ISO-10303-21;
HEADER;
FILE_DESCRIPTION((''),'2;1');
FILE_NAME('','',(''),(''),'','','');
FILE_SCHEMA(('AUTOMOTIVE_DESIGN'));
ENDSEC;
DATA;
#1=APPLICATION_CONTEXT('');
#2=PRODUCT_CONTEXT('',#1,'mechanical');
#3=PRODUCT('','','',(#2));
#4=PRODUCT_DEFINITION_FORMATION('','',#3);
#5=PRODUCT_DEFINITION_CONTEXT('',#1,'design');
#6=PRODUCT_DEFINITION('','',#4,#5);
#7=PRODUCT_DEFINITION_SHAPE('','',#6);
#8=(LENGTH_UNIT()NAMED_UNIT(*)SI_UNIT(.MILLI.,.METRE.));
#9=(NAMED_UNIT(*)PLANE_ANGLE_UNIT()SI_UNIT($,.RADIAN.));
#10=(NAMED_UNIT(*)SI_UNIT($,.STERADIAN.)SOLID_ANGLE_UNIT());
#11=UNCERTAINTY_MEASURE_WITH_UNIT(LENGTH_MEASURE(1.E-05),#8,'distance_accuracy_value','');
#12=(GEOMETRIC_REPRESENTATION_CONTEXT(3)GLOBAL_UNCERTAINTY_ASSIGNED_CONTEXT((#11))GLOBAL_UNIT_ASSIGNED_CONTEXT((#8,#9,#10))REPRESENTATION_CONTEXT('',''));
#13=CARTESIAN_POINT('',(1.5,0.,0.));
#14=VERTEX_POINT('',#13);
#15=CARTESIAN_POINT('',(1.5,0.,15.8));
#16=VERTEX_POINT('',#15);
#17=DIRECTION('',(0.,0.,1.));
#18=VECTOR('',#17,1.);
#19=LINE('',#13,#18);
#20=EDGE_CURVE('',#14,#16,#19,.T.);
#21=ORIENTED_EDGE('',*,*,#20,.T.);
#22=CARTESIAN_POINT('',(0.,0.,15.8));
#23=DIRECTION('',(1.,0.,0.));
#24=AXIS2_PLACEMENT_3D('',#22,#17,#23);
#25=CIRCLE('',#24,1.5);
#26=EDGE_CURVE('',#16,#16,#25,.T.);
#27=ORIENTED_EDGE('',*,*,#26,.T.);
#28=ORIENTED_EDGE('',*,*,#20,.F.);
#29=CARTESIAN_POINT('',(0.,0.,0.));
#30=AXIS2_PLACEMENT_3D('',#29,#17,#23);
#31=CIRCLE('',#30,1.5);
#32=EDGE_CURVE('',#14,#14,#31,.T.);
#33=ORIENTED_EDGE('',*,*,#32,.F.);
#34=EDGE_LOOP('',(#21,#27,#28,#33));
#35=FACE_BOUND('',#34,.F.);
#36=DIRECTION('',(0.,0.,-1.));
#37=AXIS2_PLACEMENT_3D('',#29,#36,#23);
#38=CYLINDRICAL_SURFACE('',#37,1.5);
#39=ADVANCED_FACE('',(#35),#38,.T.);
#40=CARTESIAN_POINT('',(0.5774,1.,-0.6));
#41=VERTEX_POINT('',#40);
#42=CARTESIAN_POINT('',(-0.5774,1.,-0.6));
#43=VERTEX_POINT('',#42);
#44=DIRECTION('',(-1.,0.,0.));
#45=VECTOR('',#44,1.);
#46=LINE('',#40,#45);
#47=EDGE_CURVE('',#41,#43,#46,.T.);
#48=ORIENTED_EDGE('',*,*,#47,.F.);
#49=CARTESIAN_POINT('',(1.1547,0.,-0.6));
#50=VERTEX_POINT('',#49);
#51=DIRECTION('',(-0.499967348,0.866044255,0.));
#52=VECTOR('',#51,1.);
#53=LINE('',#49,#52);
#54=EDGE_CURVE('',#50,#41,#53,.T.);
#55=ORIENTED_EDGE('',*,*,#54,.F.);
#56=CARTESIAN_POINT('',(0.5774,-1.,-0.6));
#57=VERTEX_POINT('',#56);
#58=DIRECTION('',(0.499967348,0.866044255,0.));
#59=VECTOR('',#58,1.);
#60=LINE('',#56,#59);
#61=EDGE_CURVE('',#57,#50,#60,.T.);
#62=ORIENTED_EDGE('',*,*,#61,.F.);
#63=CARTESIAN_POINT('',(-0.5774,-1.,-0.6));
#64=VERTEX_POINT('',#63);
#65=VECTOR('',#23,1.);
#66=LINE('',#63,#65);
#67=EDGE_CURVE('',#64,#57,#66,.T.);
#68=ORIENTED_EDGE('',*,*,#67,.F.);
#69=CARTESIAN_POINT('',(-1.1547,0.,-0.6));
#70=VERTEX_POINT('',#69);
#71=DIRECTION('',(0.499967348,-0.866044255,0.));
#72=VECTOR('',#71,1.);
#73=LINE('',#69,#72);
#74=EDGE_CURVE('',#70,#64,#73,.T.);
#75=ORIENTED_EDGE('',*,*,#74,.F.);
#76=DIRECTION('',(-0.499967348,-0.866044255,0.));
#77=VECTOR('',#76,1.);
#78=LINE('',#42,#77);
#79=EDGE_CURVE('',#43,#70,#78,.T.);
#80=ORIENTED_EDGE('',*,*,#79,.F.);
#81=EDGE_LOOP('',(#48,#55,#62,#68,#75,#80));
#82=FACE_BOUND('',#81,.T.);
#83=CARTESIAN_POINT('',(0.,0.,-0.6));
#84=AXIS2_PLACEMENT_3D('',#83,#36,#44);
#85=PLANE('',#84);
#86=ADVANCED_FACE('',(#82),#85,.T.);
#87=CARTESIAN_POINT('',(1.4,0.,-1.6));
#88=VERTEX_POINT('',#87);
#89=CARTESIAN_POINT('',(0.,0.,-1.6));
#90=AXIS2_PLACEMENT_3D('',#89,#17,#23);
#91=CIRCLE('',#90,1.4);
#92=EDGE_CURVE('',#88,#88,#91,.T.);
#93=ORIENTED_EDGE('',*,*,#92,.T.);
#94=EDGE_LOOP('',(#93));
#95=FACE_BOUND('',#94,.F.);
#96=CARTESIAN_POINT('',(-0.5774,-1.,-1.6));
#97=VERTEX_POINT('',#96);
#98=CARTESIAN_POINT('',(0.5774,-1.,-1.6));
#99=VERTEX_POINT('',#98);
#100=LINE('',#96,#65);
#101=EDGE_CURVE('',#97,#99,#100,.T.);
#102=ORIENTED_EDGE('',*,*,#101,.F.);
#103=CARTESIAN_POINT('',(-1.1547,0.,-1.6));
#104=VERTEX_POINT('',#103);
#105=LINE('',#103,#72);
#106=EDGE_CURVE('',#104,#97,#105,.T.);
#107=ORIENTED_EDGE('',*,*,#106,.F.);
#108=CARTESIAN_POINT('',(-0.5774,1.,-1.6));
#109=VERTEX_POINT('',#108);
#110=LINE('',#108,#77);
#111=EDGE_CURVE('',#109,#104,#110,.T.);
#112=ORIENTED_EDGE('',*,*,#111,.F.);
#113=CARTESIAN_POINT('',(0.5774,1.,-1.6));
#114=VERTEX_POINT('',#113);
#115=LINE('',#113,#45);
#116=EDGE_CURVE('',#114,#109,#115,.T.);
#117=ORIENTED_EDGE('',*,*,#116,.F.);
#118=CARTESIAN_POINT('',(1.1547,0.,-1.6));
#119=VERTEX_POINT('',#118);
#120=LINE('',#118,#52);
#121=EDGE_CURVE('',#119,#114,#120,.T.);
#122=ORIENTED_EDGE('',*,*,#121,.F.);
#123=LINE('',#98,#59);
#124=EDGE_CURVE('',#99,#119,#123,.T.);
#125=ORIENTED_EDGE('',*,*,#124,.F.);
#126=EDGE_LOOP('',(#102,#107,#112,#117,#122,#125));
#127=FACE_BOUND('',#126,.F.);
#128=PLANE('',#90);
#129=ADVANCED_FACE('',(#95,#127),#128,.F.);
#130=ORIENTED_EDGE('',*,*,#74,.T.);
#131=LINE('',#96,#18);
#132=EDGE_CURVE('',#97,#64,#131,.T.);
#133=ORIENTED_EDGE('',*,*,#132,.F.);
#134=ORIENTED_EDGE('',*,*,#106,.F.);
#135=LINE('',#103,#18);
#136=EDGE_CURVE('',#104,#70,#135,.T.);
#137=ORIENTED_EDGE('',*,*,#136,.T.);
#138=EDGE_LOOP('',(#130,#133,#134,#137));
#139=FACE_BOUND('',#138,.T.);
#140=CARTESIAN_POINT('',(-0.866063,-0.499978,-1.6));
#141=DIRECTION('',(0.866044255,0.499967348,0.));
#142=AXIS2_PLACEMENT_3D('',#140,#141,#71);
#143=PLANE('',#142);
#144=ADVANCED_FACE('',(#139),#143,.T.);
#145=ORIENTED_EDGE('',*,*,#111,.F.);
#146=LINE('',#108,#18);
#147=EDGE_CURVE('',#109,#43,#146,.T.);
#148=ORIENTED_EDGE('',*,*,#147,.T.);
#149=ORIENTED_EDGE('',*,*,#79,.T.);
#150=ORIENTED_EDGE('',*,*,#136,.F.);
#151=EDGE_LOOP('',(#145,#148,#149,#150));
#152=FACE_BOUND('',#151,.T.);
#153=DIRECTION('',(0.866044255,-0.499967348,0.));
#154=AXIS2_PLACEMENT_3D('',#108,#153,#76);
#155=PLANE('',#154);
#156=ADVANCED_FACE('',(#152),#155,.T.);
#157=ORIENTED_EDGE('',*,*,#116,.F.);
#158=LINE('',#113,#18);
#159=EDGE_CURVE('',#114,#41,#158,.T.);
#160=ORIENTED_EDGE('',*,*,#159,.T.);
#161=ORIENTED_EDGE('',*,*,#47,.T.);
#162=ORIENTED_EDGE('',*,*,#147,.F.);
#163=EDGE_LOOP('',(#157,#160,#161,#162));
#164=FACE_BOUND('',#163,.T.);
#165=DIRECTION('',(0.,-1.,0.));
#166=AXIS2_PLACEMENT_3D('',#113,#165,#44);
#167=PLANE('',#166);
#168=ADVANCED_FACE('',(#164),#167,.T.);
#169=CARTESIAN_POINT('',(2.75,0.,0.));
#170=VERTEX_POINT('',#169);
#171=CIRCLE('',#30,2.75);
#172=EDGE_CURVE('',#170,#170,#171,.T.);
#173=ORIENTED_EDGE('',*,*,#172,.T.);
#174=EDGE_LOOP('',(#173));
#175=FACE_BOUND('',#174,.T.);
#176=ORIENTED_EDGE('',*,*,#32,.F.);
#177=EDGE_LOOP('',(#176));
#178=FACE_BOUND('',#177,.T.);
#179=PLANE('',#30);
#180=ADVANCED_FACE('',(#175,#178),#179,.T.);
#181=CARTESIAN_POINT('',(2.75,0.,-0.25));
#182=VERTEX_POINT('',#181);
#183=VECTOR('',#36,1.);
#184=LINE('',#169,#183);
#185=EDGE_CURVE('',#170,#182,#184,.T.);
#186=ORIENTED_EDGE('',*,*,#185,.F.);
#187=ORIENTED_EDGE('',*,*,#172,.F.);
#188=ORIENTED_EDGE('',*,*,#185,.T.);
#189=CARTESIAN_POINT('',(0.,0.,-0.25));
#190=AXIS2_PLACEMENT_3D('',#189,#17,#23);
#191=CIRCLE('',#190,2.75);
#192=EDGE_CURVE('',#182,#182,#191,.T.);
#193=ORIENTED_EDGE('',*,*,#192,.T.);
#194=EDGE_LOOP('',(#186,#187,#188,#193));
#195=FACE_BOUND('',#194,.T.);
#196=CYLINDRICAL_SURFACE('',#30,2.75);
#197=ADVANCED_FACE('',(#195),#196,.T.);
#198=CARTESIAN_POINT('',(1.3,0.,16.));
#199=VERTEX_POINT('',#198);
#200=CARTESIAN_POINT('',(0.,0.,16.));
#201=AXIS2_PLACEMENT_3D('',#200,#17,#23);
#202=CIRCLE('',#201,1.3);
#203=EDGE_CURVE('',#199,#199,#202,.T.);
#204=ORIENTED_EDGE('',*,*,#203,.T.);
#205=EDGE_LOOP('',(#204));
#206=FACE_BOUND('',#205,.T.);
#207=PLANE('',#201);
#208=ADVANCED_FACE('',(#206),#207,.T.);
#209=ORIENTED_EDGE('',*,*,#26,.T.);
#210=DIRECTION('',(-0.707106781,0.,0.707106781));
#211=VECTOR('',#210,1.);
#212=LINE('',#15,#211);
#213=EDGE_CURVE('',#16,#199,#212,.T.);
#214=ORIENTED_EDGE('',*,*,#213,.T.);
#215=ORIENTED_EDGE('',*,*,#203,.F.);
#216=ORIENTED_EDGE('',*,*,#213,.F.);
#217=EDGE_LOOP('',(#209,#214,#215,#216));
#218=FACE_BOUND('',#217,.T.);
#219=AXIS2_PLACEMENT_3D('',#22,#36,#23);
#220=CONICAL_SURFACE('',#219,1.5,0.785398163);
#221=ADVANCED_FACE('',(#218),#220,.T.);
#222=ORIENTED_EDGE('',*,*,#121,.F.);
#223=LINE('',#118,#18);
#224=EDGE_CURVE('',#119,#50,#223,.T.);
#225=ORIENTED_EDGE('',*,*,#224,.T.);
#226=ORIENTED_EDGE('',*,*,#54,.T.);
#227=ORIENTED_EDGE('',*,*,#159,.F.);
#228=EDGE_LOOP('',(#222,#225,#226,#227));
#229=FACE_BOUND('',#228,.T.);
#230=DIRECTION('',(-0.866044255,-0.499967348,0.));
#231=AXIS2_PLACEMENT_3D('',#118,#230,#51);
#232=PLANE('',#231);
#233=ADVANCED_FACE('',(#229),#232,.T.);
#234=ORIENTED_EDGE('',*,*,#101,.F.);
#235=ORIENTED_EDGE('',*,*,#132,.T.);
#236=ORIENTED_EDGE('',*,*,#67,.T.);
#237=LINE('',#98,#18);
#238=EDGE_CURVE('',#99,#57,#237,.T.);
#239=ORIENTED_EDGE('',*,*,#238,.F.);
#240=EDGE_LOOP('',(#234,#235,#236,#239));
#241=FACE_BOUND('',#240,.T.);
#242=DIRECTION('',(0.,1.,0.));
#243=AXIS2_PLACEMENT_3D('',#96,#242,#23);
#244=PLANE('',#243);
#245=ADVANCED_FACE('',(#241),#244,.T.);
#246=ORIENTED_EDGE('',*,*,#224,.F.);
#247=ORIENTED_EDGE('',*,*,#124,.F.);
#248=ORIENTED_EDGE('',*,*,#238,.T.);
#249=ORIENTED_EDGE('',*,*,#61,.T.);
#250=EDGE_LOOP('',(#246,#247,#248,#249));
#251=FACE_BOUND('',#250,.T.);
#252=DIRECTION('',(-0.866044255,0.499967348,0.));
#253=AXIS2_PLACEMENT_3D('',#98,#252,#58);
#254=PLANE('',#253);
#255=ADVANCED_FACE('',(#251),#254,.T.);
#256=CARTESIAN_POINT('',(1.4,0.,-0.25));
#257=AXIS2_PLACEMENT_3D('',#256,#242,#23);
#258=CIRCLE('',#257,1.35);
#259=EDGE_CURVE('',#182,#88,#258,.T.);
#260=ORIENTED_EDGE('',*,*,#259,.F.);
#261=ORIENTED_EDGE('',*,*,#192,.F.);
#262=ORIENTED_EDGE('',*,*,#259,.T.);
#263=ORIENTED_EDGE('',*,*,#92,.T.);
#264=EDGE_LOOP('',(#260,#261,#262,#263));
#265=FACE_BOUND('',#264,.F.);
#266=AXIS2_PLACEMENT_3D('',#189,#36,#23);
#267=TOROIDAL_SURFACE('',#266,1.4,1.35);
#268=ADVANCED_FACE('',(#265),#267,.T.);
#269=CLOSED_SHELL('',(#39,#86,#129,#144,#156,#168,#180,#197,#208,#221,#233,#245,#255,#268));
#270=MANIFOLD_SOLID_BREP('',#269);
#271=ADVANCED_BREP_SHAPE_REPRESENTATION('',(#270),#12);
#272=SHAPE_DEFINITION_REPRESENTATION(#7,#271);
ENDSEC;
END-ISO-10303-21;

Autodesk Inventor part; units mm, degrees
ref_plane "YZ Plane" through (0, 0, 0) normal (1, 0, 0) x (0, 1, 0)
ref_plane "XZ Plane" through (0, 0, 0) normal (0, 1, 0) x (-1, 0, 0)
ref_plane "XY Plane" through (0, 0, 0) normal (0, 0, 1) x (1, 0, 0)
sketch "Sketch1" plane through (0, 0, 0) normal (0, 0, 1) x (1, 0, 0)
  circle A0 centre (0, 0) radius 1.5
  circle A1 centre (0, 0) radius 2.75
  dimension "d0" = 3
  dimension "d3" = 5.5
extrude "Extrusion1" add sketch "Sketch1" along normal blind 16 contours A0
extrude "Extrusion2" add sketch "Sketch1" against normal blind 1.6 contours A0 | A1
sketch "Sketch2" plane through (0, 0, -1.6) normal (0, 0, -1) x (-1, 0, 0)
  circle A0 centre (0, 0) radius 1
  line L0 (0.5774, 1) -> (1.1547, 0)
  line L1 (1.1547, 0) -> (0.5774, -1)
  line L2 (0.5774, -1) -> (-0.5774, -1)
  line L3 (-0.5774, -1) -> (-1.1547, 0)
  line L4 (-1.1547, 0) -> (-0.5774, 1)
  line L5 (-0.5774, 1) -> (0.5774, 1)
  point P0 (0, 1)
  dimension "d6" = 2
extrude "Extrusion3" cut sketch "Sketch2" against normal blind 1
fillet "Fillet1" radius 1.35 1 edges at (-2.75, 0, -1.6)
thread "Thread1" size "M3x0.5" class "6g" standard "ANSI Metric M Profile" full length
chamfer "Chamfer1" distance 0.2 angle 45 1 edges at (-1.5, 0, 16)
properties part number "COTS_GENERIC_M3x16_screw" material "Steel"
